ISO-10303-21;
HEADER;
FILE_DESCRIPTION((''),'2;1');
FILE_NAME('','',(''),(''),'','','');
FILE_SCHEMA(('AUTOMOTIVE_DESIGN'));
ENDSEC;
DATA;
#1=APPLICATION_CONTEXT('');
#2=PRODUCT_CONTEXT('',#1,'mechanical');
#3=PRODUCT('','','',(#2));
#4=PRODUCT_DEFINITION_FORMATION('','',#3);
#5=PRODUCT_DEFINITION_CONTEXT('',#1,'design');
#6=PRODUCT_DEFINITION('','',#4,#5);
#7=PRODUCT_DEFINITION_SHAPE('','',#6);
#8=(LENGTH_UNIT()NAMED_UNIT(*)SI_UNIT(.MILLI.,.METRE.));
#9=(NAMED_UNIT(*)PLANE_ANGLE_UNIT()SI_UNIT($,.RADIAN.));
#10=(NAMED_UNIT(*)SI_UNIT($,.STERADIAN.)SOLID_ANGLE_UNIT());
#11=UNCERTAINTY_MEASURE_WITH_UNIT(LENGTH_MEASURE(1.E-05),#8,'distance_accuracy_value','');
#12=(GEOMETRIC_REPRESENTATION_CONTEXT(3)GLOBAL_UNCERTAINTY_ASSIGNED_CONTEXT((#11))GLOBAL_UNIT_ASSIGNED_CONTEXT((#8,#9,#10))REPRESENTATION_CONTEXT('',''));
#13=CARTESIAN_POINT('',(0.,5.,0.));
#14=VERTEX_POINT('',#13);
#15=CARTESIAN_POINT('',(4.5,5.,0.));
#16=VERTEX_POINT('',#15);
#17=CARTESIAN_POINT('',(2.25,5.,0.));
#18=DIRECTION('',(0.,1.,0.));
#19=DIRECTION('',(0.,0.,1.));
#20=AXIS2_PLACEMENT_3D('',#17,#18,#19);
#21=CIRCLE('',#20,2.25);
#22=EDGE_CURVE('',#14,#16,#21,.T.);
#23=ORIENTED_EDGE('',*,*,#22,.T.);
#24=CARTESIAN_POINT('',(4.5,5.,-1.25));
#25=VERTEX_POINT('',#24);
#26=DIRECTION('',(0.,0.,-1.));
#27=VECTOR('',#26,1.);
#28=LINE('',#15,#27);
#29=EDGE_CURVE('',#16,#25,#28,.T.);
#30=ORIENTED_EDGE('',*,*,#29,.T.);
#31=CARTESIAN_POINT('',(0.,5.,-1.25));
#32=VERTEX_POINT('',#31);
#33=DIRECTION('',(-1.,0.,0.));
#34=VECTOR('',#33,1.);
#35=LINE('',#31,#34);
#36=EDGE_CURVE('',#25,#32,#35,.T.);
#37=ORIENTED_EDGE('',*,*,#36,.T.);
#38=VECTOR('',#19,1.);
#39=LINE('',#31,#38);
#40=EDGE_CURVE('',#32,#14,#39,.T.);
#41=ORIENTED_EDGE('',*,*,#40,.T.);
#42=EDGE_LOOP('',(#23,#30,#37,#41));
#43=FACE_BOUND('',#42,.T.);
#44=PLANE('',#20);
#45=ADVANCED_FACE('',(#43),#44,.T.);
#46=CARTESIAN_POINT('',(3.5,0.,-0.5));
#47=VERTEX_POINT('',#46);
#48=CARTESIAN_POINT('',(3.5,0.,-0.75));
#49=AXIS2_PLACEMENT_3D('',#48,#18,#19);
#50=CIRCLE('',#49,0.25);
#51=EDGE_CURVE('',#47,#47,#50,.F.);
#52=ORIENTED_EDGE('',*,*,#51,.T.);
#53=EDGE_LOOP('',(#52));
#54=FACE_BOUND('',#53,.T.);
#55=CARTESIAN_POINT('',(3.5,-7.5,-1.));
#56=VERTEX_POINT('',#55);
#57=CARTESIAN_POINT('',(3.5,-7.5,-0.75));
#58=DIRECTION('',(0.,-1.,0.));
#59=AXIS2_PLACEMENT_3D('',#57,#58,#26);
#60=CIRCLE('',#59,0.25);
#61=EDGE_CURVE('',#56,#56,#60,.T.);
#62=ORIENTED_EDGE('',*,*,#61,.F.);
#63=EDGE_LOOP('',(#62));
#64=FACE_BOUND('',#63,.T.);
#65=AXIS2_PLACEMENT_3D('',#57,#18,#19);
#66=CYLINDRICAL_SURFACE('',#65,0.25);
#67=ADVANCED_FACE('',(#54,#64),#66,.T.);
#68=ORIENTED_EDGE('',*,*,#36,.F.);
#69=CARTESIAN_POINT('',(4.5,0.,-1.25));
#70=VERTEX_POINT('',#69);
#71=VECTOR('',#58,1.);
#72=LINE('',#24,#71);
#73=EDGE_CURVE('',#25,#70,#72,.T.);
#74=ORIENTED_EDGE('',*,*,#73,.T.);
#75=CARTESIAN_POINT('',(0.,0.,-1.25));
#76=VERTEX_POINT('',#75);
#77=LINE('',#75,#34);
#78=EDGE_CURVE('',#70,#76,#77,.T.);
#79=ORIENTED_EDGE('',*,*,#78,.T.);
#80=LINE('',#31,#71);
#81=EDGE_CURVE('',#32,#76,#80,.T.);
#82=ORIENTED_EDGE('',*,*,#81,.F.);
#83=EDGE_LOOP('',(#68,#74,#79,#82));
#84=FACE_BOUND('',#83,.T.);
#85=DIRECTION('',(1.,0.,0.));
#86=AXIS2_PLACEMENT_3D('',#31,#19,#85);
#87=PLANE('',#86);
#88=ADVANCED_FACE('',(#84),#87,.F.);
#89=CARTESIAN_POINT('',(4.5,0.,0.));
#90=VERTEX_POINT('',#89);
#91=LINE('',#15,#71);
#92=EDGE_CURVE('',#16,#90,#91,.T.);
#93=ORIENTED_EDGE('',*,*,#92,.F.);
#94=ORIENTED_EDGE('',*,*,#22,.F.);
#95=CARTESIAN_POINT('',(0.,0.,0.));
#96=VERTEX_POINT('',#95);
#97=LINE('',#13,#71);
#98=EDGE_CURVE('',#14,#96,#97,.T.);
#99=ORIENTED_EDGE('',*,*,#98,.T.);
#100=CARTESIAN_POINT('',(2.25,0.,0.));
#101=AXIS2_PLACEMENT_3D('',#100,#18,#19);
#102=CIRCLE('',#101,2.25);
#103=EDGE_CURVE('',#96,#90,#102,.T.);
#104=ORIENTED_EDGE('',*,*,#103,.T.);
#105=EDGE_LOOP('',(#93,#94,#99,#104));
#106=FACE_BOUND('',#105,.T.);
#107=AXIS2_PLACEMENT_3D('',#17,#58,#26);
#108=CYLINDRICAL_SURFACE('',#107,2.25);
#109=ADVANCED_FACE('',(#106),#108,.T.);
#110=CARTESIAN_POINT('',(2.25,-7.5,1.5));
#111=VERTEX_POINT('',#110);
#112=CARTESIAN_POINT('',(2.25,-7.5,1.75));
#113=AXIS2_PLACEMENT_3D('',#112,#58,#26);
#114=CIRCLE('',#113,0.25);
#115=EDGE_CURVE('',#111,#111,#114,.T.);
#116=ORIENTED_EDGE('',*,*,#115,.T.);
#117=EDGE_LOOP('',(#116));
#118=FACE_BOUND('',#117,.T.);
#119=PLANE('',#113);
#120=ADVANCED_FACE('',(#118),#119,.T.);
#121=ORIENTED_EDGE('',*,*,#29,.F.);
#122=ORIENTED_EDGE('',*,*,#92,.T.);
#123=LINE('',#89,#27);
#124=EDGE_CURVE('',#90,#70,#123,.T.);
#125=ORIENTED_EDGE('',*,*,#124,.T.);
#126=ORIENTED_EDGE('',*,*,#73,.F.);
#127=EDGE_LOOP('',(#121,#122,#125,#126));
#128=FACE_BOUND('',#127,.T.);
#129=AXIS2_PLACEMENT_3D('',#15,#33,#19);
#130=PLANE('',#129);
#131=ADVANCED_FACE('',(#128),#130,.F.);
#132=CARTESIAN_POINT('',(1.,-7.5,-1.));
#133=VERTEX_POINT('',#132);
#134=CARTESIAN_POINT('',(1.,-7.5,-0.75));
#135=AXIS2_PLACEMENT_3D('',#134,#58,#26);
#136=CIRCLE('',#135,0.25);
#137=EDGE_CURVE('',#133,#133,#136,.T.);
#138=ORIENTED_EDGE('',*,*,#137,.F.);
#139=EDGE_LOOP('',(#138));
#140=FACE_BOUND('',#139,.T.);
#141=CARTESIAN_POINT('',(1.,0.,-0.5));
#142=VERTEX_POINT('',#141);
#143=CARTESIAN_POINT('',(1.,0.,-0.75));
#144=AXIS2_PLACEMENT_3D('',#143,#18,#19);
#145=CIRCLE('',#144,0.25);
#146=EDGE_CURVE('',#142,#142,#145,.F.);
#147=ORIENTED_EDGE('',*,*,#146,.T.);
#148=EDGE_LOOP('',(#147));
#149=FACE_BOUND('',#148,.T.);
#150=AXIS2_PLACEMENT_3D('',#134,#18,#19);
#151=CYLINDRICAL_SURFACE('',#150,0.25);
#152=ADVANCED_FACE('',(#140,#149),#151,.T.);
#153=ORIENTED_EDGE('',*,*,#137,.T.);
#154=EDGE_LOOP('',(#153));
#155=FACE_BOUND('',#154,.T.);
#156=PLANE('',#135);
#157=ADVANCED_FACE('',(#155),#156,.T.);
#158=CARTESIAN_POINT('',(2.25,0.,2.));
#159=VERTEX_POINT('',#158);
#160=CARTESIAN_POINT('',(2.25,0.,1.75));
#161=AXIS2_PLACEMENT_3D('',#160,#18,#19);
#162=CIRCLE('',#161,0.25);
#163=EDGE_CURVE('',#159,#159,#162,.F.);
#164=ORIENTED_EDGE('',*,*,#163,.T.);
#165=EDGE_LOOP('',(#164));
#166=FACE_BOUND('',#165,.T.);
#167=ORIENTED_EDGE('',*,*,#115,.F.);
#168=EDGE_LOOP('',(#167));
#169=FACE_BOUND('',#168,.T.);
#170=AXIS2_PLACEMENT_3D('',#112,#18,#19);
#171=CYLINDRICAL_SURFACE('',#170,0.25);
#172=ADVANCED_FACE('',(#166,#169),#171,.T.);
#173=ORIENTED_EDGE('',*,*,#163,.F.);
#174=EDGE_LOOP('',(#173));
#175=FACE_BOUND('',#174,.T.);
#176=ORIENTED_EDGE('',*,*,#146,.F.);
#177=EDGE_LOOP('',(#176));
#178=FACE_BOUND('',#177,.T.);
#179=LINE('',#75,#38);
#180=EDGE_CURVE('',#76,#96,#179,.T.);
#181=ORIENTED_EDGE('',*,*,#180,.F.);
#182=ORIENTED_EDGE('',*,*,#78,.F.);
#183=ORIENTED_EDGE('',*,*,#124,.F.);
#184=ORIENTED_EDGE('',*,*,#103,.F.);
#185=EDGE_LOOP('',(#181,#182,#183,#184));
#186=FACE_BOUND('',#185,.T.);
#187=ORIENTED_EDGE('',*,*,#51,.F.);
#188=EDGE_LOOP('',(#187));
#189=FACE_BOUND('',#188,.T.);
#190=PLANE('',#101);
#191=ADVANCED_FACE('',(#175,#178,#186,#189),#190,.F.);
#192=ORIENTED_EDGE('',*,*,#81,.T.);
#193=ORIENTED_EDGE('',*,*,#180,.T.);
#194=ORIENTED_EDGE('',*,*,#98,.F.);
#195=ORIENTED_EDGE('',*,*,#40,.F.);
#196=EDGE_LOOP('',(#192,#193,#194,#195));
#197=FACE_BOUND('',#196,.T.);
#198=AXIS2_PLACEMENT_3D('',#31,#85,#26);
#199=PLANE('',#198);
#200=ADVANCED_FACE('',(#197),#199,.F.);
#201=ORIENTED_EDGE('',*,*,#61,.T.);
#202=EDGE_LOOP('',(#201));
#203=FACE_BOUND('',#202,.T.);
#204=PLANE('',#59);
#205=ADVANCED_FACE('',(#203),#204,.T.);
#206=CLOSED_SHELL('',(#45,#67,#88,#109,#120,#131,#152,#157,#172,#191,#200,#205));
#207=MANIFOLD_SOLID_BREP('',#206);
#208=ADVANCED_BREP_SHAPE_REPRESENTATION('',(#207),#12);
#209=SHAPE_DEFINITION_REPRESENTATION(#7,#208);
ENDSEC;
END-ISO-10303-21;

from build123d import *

# Parameters (mm, degrees)
BOSS_EXTRUDE1_DEPTH = 5
SKETCH2_R           = 0.25
BOSS_EXTRUDE2_DEPTH = 7.5


with BuildPart() as part:
    # Sketch1 → Boss-Extrude1 (new body)
    with BuildSketch(Plane(origin=(0, 0, 0), x_dir=(1, 0, 0), z_dir=(0, 1, 0))):
        with BuildLine():
            Line((0, 1.25), (4.5, 1.25))
            Line((4.5, 1.25), (4.5, 0))
            ThreePointArc((4.5, 0), (2.25, -2.25), (0, 0))
            Line((0, 0), (0, 1.25))
        make_face()
    extrude(amount=BOSS_EXTRUDE1_DEPTH)

    # Sketch2 → Boss-Extrude2 (add)
    with BuildSketch(Plane.XZ):
        with Locations((1, -0.75)):
            Circle(SKETCH2_R)
        with Locations((3.5, -0.75)):
            Circle(SKETCH2_R)
        with Locations((2.25, 1.75)):
            Circle(SKETCH2_R)
    extrude(amount=BOSS_EXTRUDE2_DEPTH)


solid = part.part
